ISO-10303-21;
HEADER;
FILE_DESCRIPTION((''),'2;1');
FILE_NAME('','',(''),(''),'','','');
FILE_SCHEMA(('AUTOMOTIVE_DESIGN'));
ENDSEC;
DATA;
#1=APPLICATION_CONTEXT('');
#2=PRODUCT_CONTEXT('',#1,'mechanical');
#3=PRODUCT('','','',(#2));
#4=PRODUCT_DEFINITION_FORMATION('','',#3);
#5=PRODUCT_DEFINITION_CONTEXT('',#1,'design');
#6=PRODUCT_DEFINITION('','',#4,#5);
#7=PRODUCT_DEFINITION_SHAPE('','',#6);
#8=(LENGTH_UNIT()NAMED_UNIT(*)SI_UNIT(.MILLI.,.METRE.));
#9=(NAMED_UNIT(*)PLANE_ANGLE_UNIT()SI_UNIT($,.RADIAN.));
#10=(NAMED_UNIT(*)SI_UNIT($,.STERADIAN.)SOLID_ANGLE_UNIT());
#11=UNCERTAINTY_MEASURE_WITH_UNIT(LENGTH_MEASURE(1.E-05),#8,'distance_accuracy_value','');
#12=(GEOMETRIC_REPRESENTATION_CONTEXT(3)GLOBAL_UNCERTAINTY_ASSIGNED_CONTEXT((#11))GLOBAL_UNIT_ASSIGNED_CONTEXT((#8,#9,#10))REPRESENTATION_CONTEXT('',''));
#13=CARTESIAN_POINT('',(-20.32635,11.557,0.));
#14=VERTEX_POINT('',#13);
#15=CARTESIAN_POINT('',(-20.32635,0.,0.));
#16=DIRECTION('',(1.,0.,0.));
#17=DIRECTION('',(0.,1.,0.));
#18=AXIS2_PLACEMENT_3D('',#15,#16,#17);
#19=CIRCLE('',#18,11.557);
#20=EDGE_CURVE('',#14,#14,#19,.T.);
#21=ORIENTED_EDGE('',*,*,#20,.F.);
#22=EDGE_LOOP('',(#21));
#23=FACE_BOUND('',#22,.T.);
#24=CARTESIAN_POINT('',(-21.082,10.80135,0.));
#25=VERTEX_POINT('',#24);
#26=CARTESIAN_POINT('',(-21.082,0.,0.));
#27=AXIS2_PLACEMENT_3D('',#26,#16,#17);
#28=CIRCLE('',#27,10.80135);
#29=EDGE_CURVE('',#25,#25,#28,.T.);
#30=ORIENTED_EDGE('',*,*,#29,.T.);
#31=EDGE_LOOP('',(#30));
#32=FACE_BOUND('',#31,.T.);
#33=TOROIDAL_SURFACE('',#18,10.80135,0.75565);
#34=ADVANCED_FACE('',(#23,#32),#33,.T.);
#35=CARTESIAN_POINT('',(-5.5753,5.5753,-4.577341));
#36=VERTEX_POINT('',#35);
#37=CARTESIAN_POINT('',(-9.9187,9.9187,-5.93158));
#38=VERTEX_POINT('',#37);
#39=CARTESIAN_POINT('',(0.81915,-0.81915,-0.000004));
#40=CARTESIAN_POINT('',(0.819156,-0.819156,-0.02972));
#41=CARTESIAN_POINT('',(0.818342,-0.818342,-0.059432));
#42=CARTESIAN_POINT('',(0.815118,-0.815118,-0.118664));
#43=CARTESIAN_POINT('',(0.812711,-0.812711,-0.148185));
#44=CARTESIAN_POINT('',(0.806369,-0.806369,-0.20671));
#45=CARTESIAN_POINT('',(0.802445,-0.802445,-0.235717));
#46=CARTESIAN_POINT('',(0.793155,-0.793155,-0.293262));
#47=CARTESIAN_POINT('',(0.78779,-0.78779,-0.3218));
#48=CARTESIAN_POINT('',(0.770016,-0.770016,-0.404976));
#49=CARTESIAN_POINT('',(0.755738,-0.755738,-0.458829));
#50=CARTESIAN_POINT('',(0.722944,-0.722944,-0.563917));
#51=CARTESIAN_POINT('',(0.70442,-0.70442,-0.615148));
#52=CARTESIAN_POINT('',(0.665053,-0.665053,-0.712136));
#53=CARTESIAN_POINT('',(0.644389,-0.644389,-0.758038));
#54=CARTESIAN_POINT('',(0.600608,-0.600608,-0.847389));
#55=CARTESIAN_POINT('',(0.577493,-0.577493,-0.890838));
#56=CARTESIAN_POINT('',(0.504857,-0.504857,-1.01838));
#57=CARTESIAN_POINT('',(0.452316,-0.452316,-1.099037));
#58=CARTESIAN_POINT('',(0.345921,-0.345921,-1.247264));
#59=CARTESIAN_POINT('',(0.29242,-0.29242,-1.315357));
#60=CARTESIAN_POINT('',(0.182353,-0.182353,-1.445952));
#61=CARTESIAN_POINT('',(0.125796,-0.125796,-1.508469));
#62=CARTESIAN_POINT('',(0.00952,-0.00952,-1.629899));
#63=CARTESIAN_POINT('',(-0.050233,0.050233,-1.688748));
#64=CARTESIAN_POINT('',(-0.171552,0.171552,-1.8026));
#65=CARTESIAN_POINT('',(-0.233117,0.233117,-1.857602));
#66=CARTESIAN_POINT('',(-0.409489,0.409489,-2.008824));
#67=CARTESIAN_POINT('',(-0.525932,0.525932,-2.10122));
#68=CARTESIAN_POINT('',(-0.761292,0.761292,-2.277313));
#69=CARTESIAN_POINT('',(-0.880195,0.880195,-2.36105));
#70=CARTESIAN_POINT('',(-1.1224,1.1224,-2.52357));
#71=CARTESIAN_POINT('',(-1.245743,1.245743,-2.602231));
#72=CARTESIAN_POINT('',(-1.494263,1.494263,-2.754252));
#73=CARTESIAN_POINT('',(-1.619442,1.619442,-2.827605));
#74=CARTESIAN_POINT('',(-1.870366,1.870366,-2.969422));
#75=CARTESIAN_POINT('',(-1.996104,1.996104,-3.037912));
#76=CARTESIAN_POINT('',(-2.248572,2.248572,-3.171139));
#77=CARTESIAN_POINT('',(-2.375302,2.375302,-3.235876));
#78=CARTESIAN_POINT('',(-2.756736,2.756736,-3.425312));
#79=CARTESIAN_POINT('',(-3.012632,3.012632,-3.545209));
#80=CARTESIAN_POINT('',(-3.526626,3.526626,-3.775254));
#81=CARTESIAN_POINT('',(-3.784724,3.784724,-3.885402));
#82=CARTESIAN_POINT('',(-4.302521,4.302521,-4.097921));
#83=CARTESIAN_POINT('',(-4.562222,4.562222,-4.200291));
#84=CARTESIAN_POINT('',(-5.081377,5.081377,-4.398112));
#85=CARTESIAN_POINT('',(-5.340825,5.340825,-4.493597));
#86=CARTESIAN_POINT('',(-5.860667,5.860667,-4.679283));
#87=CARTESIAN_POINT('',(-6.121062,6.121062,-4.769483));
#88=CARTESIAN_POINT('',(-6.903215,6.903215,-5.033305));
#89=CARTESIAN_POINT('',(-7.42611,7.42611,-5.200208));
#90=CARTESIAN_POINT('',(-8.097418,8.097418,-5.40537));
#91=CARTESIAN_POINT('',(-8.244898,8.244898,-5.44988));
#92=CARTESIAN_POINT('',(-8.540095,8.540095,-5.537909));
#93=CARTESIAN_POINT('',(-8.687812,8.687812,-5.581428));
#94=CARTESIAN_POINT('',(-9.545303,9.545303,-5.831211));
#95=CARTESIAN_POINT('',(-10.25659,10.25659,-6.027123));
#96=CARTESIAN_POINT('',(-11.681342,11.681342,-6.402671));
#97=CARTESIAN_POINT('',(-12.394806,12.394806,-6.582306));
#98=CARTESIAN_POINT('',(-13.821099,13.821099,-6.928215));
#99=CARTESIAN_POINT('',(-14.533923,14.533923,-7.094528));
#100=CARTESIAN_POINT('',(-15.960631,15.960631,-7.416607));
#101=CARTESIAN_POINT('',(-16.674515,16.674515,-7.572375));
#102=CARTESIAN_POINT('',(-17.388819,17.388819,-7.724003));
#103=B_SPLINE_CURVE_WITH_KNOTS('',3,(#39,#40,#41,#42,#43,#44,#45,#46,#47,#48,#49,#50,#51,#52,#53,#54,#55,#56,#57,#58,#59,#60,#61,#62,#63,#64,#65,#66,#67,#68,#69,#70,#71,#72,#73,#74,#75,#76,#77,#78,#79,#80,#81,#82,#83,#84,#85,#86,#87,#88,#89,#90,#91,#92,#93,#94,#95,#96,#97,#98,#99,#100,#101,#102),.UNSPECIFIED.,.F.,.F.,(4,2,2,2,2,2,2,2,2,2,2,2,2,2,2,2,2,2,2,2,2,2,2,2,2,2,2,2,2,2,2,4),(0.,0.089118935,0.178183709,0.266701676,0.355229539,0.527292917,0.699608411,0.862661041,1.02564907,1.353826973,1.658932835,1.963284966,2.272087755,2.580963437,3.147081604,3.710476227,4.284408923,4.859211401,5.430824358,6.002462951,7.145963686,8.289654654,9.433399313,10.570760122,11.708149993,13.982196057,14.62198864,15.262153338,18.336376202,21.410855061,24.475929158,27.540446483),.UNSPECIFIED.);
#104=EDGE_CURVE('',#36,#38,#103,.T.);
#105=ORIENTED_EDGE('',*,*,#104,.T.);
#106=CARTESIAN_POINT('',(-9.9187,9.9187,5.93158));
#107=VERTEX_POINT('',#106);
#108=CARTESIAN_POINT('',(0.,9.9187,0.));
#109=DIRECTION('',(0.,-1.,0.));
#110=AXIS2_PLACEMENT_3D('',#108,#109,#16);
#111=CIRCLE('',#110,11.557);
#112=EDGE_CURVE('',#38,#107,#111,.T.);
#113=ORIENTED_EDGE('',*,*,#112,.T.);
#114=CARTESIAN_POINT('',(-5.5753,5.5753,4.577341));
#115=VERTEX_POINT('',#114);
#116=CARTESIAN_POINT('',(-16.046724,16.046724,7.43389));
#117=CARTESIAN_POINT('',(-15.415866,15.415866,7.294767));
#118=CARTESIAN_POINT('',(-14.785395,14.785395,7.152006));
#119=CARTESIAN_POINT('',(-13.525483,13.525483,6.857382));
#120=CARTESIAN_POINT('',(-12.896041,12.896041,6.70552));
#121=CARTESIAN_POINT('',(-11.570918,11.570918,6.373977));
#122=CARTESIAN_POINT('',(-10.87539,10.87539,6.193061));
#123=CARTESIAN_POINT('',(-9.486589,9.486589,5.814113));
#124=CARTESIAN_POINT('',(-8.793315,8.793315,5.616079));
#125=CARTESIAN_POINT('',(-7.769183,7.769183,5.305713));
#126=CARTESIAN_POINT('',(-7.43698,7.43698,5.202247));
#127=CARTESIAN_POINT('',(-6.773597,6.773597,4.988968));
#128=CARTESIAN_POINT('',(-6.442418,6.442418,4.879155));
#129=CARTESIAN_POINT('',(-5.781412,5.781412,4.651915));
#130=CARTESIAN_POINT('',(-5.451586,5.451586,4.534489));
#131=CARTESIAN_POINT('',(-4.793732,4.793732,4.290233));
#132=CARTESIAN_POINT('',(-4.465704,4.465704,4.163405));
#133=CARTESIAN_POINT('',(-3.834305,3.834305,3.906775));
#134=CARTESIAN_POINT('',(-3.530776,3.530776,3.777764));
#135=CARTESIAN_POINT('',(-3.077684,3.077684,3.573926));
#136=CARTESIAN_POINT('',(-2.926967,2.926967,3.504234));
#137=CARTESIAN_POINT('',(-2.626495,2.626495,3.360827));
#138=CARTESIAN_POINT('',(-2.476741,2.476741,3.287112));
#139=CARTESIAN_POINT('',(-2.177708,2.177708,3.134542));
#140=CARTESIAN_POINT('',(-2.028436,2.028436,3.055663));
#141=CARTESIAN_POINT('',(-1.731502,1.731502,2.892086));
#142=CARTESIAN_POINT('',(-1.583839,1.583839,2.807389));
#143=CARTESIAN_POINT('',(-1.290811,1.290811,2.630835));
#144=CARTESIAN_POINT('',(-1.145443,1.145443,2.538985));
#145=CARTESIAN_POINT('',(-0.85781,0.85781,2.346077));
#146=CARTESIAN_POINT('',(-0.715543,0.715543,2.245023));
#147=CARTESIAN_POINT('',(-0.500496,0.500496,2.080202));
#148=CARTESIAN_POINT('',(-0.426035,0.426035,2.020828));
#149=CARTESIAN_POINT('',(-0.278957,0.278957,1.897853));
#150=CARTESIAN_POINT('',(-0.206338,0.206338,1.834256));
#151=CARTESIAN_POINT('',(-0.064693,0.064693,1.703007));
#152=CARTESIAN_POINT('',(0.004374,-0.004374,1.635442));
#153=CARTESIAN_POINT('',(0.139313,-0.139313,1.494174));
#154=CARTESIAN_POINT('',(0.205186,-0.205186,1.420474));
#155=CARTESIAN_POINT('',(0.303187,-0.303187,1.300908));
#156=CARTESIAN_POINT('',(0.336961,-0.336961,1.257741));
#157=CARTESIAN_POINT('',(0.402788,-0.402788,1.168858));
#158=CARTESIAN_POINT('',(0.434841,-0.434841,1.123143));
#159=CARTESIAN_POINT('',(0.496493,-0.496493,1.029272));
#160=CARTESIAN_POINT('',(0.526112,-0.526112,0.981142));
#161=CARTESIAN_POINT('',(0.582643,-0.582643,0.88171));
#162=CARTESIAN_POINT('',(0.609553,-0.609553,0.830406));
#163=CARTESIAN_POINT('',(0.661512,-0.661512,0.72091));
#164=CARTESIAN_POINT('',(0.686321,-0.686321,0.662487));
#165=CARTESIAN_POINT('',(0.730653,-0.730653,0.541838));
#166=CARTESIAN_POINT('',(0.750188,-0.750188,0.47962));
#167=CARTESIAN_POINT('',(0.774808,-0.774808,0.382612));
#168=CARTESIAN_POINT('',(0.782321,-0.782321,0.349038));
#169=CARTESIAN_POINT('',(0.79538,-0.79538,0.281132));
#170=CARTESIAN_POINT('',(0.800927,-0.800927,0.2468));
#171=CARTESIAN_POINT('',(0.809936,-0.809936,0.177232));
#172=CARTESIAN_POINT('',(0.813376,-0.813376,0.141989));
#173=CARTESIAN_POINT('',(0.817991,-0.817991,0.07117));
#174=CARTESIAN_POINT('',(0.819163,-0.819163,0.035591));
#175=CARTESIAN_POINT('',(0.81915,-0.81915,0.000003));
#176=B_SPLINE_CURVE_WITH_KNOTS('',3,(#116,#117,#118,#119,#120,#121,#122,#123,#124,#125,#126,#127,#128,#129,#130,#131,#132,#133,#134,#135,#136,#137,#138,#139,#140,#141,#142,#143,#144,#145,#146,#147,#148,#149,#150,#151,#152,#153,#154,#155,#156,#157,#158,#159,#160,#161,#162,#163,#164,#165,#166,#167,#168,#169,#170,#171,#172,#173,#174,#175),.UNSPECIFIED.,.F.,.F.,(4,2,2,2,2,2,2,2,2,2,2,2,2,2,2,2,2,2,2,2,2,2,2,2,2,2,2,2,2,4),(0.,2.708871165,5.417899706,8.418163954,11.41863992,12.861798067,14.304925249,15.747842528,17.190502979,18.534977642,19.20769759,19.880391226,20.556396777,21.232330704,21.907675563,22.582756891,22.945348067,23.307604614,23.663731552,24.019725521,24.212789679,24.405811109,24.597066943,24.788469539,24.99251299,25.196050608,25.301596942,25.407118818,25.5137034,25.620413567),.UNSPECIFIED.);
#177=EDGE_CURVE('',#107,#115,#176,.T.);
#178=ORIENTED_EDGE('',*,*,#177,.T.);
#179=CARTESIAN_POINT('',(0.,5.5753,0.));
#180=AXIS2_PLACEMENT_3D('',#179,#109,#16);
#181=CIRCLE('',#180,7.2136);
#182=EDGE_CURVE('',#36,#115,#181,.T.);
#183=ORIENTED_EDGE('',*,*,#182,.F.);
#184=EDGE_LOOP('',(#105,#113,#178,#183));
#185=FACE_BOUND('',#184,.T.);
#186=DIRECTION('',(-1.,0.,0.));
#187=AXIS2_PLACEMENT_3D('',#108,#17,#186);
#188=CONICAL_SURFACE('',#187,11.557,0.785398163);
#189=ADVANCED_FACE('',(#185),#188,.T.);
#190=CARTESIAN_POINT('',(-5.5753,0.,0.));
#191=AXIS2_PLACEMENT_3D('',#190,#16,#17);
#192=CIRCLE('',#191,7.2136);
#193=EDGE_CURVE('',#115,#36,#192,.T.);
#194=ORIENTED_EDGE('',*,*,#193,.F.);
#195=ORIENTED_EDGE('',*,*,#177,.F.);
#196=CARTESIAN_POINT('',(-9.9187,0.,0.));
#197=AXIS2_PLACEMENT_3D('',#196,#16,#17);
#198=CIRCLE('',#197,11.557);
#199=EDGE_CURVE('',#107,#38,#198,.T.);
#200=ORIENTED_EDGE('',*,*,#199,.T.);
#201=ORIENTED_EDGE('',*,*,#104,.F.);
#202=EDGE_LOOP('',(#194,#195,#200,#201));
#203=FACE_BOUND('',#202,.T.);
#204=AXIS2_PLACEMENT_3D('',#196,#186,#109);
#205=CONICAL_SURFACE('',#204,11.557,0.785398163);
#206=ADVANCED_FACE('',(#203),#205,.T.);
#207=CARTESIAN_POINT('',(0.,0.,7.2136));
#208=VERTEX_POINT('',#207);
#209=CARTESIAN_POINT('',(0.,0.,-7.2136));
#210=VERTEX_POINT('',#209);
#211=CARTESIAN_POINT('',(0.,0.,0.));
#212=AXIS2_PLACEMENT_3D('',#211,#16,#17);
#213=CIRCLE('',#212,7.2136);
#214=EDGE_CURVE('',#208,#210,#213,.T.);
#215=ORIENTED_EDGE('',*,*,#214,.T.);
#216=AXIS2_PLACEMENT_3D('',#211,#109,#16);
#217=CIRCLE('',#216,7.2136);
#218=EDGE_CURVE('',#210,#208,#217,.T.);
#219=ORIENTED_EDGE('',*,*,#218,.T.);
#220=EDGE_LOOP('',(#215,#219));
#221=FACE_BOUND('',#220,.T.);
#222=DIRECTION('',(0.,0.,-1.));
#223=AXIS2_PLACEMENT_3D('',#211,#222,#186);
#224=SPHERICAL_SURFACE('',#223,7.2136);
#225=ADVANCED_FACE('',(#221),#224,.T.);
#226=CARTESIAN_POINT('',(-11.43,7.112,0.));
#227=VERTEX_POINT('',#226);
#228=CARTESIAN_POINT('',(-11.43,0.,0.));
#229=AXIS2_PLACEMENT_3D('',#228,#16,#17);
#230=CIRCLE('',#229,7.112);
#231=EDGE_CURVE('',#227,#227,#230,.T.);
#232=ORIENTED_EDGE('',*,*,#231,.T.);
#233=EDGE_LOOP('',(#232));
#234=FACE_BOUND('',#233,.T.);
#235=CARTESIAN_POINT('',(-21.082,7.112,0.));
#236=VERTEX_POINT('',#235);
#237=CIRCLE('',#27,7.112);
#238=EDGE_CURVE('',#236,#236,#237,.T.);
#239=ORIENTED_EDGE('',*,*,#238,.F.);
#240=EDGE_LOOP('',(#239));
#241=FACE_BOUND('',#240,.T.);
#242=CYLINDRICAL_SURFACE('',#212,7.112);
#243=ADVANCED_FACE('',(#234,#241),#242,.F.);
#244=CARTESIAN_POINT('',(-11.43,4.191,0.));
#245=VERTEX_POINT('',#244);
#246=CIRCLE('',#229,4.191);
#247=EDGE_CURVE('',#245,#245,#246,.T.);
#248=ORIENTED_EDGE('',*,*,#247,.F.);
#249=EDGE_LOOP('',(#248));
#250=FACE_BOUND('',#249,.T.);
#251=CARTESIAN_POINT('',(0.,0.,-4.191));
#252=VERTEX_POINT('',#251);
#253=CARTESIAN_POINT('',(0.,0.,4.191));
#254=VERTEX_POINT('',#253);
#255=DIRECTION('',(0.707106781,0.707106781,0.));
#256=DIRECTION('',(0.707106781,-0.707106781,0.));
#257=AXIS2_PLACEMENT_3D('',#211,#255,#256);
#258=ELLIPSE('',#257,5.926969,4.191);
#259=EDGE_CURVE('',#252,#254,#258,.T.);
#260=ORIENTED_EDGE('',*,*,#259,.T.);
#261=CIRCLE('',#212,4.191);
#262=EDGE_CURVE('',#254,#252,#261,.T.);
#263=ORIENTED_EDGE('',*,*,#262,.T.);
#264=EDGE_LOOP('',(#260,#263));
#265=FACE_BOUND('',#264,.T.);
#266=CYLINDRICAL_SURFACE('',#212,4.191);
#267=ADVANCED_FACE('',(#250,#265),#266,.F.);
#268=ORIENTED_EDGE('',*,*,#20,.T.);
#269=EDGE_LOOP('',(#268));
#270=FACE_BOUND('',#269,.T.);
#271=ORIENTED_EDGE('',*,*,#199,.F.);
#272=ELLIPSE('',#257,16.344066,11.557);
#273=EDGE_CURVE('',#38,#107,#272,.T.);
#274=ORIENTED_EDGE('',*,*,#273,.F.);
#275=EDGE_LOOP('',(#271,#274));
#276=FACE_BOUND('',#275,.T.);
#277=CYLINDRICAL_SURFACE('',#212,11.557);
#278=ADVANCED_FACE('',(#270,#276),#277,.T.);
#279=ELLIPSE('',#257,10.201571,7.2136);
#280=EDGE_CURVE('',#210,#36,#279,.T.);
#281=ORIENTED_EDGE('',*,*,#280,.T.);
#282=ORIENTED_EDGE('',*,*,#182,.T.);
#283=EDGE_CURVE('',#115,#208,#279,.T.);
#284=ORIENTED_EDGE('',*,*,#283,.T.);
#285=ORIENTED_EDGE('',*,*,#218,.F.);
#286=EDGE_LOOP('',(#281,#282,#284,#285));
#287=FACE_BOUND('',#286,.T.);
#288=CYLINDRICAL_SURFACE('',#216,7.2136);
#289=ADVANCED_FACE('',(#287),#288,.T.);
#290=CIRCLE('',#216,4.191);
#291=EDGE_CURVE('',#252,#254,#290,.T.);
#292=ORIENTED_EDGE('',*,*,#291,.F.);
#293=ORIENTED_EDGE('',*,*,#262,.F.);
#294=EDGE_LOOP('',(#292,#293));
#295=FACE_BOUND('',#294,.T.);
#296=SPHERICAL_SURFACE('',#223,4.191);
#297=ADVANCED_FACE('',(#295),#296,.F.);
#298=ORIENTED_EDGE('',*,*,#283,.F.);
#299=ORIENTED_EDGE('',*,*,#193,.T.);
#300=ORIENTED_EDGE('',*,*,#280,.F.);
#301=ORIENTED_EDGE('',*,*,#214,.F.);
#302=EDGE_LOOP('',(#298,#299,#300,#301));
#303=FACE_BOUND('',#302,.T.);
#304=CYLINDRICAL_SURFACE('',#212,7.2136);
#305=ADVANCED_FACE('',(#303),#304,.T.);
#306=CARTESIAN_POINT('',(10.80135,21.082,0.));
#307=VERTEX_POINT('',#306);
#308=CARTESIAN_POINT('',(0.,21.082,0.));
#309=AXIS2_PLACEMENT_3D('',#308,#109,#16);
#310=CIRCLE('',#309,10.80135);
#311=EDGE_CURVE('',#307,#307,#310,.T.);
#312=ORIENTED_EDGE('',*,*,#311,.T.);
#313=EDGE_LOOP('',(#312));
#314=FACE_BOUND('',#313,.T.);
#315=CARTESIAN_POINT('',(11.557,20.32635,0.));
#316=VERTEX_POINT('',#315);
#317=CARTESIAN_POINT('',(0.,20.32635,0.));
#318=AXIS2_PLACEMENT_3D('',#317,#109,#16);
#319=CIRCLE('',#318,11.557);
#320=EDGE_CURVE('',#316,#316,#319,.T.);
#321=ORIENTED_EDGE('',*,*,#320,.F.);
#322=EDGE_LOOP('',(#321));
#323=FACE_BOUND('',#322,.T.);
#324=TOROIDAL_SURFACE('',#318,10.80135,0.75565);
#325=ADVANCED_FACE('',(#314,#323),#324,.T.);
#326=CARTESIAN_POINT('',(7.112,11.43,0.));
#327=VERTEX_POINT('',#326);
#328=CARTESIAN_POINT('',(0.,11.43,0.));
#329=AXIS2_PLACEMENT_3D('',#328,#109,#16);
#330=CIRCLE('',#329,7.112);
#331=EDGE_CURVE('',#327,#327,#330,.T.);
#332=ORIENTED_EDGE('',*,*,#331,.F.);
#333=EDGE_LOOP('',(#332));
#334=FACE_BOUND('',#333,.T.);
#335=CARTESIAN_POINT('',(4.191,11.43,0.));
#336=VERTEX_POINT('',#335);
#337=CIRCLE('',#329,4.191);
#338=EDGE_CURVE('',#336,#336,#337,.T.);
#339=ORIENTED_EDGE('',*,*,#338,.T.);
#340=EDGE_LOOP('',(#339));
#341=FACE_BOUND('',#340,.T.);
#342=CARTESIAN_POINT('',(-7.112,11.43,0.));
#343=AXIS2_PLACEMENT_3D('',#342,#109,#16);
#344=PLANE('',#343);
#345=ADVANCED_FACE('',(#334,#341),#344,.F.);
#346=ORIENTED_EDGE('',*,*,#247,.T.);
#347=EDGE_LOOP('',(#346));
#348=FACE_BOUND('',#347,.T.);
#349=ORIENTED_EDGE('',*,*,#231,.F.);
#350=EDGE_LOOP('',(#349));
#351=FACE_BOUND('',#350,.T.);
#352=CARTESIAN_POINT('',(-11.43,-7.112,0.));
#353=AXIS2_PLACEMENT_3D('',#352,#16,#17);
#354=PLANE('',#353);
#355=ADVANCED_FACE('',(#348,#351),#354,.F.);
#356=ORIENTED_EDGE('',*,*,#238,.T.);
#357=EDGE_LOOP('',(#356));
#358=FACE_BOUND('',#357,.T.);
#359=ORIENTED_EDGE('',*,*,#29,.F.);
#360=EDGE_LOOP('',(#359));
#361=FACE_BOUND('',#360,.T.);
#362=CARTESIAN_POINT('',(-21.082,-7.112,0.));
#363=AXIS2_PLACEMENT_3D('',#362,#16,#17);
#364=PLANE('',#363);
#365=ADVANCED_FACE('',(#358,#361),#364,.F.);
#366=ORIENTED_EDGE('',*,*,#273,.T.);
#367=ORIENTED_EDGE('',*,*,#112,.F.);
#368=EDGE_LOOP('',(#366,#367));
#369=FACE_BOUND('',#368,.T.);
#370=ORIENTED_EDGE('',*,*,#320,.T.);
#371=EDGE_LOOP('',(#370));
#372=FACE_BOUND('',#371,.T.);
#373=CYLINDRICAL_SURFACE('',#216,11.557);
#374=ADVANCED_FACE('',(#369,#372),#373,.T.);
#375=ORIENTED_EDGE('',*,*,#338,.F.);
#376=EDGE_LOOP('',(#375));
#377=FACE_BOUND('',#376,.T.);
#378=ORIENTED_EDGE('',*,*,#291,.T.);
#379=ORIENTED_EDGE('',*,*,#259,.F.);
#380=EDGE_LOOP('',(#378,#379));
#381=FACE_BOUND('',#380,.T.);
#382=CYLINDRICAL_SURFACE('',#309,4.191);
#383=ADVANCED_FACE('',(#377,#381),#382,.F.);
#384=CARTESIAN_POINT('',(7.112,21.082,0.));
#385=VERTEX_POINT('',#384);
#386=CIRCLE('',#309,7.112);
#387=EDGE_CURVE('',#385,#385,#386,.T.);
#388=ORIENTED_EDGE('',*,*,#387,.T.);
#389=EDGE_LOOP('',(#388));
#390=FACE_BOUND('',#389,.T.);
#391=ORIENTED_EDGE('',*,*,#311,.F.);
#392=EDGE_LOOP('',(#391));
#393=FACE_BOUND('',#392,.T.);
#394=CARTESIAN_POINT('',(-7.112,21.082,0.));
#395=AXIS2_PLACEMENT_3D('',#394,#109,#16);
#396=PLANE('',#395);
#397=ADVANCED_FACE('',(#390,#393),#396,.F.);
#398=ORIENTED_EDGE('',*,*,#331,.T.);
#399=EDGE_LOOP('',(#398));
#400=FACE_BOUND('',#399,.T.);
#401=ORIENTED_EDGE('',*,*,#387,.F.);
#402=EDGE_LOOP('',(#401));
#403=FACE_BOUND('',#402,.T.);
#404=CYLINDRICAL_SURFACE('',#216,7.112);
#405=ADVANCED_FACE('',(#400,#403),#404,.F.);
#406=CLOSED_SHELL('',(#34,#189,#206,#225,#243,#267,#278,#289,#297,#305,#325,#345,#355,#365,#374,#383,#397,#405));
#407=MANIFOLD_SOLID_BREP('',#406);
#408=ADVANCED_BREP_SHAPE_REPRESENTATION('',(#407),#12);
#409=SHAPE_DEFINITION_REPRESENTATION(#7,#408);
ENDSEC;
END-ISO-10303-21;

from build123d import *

# Parameters (mm, degrees)
CIRPATTERN2_COUNT  = 2
CIRPATTERN2_ANGLE  = 90
SKETCH4_R          = 4.191
CUT_EXTRUDE1_DEPTH = 22.082
SKETCH5_R          = 4.191
CUT_EXTRUDE2_DEPTH = 22.082
REVOLVE2_ANGLE     = 90


with BuildPart() as part:
    # Sketch2 → Revolve1 (revolve)
    with BuildSketch(Plane.XY):
        with BuildLine():
            Line((-21.082, -7.112), (-11.43, -7.112))
            Line((-11.43, -7.112), (-11.43, -4.191))
            Line((-11.43, -4.191), (0, -4.191))
            Line((0, -4.191), (0, -7.2136))
            Line((0, -7.2136), (-5.5753, -7.2136))
            Line((-5.5753, -7.2136), (-9.9187, -11.557))
            Line((-9.9187, -11.557), (-20.32635, -11.557))
            ThreePointArc((-20.32635, -11.557), (-20.860675239, -11.335675239), (-21.082, -10.80135))
            Line((-21.082, -10.80135), (-21.082, -7.112))
        make_face()
    revolve(axis=Axis((0, 0, 0), (-1, 0, 0)))


with BuildPart() as cirpattern2_1:
    # CirPattern2: pattern copy
    add(part.part.rotate(Axis((0, 0, -11.557), (0, 0, -1)), 1 * CIRPATTERN2_ANGLE / (CIRPATTERN2_COUNT - 1)))

    # Sketch4 → Cut-Extrude1 (cut, through all)
    with BuildSketch(Plane(origin=(0, 0, 0), x_dir=(0, 0, -1), z_dir=(1, 0, 0))):
        Circle(SKETCH4_R)
    extrude(amount=-CUT_EXTRUDE1_DEPTH, mode=Mode.SUBTRACT)


with BuildPart() as part_1:
    add(part.part)

    # Sketch5 → Cut-Extrude2 (cut, through all)
    with BuildSketch(Plane.XZ):
        Circle(SKETCH5_R)
    extrude(amount=-CUT_EXTRUDE2_DEPTH, mode=Mode.SUBTRACT)

    # Combine1: union CirPattern2_1
    add(cirpattern2_1.part)

    # Sketch6 → Revolve2 (revolve)
    with BuildSketch(Plane(origin=(0, 0, 0), x_dir=(0, 0, -1), z_dir=(1, 0, 0))):
        with BuildLine():
            Line((-7.2136, 0), (-4.191, 0))
            ThreePointArc((-4.191, 0), (0, -4.191), (4.191, 0))
            Line((4.191, 0), (7.2136, 0))
            ThreePointArc((7.2136, 0), (0, -7.2136), (-7.2136, 0))
        make_face()
    revolve(axis=Axis((0, 0, 4.191), (0, 0, 1)), revolution_arc=REVOLVE2_ANGLE)


solid = part_1.part
